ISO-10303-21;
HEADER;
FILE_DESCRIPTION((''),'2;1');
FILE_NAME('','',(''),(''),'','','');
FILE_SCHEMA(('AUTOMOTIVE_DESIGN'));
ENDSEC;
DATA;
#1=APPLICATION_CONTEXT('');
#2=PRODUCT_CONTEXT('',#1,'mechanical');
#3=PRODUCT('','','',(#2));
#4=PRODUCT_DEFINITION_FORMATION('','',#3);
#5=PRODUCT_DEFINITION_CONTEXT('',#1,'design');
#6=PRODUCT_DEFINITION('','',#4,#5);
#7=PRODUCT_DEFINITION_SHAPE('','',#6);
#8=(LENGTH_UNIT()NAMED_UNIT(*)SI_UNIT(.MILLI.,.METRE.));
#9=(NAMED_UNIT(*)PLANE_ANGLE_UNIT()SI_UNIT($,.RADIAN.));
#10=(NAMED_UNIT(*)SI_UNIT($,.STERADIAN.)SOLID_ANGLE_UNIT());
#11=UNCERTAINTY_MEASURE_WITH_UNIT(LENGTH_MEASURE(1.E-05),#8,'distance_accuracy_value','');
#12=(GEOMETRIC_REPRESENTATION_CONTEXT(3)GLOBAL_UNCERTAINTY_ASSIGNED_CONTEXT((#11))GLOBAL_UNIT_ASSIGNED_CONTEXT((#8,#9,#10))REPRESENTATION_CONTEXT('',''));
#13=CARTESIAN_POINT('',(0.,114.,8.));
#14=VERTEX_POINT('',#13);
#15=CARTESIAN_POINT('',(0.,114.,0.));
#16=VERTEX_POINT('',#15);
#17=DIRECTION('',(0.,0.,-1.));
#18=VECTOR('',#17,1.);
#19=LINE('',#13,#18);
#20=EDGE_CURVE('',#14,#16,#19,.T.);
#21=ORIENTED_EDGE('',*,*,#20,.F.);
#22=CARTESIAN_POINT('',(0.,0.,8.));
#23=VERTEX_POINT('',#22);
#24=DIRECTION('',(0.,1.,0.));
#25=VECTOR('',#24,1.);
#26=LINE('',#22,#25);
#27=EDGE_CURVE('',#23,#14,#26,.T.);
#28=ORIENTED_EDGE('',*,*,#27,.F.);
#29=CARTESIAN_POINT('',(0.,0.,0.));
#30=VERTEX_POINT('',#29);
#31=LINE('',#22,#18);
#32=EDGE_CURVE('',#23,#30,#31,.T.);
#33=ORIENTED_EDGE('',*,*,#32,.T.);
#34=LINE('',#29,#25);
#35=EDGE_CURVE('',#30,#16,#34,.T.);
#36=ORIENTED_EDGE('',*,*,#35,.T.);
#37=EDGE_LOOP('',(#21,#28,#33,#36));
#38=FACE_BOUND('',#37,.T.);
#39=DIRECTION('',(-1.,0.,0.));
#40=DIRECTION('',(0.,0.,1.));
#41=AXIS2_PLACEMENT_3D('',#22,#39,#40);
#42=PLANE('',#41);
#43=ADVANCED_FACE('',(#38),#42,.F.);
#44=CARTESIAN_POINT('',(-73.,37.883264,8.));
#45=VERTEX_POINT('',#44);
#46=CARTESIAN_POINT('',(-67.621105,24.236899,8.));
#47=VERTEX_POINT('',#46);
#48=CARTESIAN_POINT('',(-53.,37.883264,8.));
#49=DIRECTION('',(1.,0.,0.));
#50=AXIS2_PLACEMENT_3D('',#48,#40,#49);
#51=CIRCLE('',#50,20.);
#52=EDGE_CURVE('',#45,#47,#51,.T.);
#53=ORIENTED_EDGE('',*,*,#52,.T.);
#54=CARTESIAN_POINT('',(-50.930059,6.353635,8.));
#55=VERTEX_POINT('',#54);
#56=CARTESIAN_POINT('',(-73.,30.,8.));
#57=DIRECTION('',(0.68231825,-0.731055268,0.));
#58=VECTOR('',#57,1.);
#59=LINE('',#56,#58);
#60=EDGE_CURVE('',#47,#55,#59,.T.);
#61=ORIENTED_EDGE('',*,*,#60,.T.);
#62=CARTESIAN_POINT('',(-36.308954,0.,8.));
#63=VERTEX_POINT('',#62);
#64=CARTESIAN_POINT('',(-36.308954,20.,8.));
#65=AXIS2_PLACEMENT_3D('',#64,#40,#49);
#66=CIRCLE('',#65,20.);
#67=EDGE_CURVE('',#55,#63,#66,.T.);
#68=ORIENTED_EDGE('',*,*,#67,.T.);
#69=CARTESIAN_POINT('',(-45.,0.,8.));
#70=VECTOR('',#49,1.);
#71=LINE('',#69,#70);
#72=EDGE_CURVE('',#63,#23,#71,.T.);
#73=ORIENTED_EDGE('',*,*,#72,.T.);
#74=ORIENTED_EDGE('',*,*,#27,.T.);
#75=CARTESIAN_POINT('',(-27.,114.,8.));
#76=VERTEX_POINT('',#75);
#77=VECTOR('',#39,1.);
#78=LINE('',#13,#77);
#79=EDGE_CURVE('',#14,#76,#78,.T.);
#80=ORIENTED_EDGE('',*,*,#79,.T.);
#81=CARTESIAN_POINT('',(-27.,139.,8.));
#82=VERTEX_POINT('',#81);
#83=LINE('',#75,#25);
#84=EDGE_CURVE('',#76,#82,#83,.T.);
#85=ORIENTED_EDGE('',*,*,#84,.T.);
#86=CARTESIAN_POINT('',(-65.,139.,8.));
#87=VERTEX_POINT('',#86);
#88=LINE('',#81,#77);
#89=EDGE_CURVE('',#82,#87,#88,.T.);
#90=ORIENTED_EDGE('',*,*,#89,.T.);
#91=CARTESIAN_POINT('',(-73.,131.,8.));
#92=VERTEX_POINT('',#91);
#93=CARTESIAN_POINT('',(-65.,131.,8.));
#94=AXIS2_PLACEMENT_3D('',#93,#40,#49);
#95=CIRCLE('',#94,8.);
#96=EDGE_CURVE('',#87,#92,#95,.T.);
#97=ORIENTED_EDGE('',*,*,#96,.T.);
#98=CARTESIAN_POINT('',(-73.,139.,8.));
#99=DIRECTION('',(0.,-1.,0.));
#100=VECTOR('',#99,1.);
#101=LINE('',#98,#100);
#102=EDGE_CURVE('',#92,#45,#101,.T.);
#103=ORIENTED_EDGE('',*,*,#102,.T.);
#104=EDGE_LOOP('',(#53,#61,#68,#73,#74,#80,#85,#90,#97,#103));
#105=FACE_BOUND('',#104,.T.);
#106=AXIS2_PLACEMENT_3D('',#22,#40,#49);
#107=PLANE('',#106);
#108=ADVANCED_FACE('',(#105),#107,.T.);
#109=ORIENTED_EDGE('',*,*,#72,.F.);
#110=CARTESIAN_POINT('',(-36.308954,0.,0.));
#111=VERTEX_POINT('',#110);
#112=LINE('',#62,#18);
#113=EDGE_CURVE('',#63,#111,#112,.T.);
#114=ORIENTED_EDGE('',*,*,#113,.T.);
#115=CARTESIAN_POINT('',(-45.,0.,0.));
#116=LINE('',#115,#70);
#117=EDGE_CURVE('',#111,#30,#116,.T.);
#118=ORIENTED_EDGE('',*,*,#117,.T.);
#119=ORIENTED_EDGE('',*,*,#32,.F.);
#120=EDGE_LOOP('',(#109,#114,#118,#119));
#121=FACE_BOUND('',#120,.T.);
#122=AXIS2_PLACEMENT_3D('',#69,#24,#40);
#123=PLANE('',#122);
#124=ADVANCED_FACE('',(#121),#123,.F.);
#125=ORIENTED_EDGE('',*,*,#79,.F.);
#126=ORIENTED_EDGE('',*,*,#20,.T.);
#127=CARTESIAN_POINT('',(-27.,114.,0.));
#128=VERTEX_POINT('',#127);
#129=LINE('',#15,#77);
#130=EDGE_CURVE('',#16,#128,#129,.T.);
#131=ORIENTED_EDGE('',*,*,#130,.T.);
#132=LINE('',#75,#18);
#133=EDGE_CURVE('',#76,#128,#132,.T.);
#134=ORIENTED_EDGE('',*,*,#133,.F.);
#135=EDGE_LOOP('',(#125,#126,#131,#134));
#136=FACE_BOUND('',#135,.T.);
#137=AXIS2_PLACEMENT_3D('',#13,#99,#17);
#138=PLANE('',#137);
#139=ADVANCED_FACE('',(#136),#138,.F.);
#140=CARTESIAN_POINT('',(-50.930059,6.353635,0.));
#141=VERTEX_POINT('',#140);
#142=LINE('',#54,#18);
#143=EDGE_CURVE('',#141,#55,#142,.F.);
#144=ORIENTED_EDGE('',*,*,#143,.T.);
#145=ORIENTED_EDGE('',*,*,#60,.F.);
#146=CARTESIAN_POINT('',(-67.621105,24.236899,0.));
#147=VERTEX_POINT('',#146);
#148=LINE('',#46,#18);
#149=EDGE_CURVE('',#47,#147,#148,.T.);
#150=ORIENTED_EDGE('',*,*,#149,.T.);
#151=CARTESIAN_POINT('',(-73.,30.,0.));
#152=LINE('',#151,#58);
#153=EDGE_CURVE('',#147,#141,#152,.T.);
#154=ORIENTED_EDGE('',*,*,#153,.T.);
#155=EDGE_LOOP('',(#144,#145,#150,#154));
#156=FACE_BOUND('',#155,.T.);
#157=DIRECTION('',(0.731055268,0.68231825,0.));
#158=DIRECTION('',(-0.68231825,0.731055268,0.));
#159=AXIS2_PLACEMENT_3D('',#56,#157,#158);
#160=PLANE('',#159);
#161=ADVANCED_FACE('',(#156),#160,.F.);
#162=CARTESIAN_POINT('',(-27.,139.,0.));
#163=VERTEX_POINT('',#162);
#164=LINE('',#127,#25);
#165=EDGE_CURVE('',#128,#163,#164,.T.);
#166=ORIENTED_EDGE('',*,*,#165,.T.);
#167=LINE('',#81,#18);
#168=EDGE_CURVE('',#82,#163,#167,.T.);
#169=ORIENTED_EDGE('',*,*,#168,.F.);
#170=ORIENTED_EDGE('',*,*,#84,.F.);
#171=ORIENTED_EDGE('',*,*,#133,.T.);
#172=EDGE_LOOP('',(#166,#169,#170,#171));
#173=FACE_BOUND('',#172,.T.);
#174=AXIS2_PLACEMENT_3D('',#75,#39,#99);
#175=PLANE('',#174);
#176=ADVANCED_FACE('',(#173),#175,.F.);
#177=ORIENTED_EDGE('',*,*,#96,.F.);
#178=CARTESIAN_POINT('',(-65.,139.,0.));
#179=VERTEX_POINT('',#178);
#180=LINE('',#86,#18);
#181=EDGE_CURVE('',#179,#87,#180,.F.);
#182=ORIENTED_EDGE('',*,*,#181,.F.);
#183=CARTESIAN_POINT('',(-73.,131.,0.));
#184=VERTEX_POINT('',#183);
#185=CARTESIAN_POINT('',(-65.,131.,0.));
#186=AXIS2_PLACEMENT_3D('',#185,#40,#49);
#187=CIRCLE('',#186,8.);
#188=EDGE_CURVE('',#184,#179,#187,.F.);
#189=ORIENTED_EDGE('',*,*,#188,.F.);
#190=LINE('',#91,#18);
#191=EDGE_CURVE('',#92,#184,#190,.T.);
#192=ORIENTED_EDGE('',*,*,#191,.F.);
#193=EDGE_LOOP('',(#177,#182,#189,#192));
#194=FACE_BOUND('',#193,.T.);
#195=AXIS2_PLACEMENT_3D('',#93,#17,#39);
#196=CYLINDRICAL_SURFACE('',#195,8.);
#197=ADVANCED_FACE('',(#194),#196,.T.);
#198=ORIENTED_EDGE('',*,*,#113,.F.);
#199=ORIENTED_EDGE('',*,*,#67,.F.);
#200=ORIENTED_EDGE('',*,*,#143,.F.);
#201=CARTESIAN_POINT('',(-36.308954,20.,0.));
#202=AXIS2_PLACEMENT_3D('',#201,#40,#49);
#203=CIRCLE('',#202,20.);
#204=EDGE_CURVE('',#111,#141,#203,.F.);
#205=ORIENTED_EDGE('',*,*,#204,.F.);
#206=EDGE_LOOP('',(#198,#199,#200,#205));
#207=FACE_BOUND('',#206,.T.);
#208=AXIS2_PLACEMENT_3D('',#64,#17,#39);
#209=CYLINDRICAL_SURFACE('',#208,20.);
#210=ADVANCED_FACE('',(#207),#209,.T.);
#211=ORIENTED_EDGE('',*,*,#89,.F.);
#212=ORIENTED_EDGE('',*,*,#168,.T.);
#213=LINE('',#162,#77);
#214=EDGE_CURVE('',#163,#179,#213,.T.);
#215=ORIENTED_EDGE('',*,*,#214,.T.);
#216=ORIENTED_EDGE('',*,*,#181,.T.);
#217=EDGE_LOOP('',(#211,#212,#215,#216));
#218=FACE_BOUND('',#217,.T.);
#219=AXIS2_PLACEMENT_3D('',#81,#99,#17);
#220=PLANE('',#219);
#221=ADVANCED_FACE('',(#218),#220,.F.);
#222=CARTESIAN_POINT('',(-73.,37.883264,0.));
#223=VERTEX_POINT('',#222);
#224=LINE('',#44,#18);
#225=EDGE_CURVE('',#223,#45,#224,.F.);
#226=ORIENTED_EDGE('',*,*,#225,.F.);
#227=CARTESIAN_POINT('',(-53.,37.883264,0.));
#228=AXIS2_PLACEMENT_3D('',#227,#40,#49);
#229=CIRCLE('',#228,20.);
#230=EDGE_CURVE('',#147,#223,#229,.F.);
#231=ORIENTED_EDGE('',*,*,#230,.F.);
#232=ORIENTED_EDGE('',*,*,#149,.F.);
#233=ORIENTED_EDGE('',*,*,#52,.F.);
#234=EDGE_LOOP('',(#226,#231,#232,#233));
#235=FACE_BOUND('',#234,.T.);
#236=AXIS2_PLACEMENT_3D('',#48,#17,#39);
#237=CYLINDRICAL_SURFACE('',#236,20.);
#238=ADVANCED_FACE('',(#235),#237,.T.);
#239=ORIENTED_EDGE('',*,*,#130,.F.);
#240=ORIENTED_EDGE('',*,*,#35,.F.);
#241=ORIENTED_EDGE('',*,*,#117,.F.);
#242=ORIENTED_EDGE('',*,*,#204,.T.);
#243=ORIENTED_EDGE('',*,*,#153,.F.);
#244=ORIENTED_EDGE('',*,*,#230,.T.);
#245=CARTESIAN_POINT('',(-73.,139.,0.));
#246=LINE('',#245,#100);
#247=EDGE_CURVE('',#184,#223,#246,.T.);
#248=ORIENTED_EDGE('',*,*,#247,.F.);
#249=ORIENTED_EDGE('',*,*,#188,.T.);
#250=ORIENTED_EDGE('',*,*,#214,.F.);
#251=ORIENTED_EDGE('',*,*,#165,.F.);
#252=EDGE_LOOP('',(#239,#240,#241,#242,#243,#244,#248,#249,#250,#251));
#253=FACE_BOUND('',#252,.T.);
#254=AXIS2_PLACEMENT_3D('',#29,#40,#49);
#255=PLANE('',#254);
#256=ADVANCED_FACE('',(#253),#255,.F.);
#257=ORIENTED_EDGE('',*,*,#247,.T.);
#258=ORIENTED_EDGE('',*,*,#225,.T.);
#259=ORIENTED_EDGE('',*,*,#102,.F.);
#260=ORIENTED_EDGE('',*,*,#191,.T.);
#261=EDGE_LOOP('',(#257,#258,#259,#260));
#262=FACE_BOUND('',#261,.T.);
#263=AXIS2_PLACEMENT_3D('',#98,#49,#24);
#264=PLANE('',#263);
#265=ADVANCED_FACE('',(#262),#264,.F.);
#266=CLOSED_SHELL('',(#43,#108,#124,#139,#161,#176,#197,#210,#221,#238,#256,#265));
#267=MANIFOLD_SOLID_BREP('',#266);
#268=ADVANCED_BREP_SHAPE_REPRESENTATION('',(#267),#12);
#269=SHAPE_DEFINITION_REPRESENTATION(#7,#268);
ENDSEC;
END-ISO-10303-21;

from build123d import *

# Parameters (mm, degrees)
EXTRUDE_1_DEPTH = 8
FILLET_1_R      = 8
FILLET_2_R      = 20


with BuildPart() as part:
    # 草图1 → 凸台-拉伸1 (new body)
    with BuildSketch(Plane.XY):
        Polygon((0, 0), (0, 114), (-27, 114), (-27, 139), (-73, 139), (-73, 30), (-45, 0), align=None)
    extrude(amount=EXTRUDE_1_DEPTH)

    # 圆角1
    fillet_1_edges = [part.edges().sort_by_distance(p)[0] for p in [
        (-73, 139, 4),
    ]]
    fillet(fillet_1_edges, radius=FILLET_1_R)

    # 圆角2
    fillet_2_edges = [part.edges().sort_by_distance(p)[0] for p in [
        (-45, 0, 4),
        (-73, 30, 4),
    ]]
    fillet(fillet_2_edges, radius=FILLET_2_R)


solid = part.part
